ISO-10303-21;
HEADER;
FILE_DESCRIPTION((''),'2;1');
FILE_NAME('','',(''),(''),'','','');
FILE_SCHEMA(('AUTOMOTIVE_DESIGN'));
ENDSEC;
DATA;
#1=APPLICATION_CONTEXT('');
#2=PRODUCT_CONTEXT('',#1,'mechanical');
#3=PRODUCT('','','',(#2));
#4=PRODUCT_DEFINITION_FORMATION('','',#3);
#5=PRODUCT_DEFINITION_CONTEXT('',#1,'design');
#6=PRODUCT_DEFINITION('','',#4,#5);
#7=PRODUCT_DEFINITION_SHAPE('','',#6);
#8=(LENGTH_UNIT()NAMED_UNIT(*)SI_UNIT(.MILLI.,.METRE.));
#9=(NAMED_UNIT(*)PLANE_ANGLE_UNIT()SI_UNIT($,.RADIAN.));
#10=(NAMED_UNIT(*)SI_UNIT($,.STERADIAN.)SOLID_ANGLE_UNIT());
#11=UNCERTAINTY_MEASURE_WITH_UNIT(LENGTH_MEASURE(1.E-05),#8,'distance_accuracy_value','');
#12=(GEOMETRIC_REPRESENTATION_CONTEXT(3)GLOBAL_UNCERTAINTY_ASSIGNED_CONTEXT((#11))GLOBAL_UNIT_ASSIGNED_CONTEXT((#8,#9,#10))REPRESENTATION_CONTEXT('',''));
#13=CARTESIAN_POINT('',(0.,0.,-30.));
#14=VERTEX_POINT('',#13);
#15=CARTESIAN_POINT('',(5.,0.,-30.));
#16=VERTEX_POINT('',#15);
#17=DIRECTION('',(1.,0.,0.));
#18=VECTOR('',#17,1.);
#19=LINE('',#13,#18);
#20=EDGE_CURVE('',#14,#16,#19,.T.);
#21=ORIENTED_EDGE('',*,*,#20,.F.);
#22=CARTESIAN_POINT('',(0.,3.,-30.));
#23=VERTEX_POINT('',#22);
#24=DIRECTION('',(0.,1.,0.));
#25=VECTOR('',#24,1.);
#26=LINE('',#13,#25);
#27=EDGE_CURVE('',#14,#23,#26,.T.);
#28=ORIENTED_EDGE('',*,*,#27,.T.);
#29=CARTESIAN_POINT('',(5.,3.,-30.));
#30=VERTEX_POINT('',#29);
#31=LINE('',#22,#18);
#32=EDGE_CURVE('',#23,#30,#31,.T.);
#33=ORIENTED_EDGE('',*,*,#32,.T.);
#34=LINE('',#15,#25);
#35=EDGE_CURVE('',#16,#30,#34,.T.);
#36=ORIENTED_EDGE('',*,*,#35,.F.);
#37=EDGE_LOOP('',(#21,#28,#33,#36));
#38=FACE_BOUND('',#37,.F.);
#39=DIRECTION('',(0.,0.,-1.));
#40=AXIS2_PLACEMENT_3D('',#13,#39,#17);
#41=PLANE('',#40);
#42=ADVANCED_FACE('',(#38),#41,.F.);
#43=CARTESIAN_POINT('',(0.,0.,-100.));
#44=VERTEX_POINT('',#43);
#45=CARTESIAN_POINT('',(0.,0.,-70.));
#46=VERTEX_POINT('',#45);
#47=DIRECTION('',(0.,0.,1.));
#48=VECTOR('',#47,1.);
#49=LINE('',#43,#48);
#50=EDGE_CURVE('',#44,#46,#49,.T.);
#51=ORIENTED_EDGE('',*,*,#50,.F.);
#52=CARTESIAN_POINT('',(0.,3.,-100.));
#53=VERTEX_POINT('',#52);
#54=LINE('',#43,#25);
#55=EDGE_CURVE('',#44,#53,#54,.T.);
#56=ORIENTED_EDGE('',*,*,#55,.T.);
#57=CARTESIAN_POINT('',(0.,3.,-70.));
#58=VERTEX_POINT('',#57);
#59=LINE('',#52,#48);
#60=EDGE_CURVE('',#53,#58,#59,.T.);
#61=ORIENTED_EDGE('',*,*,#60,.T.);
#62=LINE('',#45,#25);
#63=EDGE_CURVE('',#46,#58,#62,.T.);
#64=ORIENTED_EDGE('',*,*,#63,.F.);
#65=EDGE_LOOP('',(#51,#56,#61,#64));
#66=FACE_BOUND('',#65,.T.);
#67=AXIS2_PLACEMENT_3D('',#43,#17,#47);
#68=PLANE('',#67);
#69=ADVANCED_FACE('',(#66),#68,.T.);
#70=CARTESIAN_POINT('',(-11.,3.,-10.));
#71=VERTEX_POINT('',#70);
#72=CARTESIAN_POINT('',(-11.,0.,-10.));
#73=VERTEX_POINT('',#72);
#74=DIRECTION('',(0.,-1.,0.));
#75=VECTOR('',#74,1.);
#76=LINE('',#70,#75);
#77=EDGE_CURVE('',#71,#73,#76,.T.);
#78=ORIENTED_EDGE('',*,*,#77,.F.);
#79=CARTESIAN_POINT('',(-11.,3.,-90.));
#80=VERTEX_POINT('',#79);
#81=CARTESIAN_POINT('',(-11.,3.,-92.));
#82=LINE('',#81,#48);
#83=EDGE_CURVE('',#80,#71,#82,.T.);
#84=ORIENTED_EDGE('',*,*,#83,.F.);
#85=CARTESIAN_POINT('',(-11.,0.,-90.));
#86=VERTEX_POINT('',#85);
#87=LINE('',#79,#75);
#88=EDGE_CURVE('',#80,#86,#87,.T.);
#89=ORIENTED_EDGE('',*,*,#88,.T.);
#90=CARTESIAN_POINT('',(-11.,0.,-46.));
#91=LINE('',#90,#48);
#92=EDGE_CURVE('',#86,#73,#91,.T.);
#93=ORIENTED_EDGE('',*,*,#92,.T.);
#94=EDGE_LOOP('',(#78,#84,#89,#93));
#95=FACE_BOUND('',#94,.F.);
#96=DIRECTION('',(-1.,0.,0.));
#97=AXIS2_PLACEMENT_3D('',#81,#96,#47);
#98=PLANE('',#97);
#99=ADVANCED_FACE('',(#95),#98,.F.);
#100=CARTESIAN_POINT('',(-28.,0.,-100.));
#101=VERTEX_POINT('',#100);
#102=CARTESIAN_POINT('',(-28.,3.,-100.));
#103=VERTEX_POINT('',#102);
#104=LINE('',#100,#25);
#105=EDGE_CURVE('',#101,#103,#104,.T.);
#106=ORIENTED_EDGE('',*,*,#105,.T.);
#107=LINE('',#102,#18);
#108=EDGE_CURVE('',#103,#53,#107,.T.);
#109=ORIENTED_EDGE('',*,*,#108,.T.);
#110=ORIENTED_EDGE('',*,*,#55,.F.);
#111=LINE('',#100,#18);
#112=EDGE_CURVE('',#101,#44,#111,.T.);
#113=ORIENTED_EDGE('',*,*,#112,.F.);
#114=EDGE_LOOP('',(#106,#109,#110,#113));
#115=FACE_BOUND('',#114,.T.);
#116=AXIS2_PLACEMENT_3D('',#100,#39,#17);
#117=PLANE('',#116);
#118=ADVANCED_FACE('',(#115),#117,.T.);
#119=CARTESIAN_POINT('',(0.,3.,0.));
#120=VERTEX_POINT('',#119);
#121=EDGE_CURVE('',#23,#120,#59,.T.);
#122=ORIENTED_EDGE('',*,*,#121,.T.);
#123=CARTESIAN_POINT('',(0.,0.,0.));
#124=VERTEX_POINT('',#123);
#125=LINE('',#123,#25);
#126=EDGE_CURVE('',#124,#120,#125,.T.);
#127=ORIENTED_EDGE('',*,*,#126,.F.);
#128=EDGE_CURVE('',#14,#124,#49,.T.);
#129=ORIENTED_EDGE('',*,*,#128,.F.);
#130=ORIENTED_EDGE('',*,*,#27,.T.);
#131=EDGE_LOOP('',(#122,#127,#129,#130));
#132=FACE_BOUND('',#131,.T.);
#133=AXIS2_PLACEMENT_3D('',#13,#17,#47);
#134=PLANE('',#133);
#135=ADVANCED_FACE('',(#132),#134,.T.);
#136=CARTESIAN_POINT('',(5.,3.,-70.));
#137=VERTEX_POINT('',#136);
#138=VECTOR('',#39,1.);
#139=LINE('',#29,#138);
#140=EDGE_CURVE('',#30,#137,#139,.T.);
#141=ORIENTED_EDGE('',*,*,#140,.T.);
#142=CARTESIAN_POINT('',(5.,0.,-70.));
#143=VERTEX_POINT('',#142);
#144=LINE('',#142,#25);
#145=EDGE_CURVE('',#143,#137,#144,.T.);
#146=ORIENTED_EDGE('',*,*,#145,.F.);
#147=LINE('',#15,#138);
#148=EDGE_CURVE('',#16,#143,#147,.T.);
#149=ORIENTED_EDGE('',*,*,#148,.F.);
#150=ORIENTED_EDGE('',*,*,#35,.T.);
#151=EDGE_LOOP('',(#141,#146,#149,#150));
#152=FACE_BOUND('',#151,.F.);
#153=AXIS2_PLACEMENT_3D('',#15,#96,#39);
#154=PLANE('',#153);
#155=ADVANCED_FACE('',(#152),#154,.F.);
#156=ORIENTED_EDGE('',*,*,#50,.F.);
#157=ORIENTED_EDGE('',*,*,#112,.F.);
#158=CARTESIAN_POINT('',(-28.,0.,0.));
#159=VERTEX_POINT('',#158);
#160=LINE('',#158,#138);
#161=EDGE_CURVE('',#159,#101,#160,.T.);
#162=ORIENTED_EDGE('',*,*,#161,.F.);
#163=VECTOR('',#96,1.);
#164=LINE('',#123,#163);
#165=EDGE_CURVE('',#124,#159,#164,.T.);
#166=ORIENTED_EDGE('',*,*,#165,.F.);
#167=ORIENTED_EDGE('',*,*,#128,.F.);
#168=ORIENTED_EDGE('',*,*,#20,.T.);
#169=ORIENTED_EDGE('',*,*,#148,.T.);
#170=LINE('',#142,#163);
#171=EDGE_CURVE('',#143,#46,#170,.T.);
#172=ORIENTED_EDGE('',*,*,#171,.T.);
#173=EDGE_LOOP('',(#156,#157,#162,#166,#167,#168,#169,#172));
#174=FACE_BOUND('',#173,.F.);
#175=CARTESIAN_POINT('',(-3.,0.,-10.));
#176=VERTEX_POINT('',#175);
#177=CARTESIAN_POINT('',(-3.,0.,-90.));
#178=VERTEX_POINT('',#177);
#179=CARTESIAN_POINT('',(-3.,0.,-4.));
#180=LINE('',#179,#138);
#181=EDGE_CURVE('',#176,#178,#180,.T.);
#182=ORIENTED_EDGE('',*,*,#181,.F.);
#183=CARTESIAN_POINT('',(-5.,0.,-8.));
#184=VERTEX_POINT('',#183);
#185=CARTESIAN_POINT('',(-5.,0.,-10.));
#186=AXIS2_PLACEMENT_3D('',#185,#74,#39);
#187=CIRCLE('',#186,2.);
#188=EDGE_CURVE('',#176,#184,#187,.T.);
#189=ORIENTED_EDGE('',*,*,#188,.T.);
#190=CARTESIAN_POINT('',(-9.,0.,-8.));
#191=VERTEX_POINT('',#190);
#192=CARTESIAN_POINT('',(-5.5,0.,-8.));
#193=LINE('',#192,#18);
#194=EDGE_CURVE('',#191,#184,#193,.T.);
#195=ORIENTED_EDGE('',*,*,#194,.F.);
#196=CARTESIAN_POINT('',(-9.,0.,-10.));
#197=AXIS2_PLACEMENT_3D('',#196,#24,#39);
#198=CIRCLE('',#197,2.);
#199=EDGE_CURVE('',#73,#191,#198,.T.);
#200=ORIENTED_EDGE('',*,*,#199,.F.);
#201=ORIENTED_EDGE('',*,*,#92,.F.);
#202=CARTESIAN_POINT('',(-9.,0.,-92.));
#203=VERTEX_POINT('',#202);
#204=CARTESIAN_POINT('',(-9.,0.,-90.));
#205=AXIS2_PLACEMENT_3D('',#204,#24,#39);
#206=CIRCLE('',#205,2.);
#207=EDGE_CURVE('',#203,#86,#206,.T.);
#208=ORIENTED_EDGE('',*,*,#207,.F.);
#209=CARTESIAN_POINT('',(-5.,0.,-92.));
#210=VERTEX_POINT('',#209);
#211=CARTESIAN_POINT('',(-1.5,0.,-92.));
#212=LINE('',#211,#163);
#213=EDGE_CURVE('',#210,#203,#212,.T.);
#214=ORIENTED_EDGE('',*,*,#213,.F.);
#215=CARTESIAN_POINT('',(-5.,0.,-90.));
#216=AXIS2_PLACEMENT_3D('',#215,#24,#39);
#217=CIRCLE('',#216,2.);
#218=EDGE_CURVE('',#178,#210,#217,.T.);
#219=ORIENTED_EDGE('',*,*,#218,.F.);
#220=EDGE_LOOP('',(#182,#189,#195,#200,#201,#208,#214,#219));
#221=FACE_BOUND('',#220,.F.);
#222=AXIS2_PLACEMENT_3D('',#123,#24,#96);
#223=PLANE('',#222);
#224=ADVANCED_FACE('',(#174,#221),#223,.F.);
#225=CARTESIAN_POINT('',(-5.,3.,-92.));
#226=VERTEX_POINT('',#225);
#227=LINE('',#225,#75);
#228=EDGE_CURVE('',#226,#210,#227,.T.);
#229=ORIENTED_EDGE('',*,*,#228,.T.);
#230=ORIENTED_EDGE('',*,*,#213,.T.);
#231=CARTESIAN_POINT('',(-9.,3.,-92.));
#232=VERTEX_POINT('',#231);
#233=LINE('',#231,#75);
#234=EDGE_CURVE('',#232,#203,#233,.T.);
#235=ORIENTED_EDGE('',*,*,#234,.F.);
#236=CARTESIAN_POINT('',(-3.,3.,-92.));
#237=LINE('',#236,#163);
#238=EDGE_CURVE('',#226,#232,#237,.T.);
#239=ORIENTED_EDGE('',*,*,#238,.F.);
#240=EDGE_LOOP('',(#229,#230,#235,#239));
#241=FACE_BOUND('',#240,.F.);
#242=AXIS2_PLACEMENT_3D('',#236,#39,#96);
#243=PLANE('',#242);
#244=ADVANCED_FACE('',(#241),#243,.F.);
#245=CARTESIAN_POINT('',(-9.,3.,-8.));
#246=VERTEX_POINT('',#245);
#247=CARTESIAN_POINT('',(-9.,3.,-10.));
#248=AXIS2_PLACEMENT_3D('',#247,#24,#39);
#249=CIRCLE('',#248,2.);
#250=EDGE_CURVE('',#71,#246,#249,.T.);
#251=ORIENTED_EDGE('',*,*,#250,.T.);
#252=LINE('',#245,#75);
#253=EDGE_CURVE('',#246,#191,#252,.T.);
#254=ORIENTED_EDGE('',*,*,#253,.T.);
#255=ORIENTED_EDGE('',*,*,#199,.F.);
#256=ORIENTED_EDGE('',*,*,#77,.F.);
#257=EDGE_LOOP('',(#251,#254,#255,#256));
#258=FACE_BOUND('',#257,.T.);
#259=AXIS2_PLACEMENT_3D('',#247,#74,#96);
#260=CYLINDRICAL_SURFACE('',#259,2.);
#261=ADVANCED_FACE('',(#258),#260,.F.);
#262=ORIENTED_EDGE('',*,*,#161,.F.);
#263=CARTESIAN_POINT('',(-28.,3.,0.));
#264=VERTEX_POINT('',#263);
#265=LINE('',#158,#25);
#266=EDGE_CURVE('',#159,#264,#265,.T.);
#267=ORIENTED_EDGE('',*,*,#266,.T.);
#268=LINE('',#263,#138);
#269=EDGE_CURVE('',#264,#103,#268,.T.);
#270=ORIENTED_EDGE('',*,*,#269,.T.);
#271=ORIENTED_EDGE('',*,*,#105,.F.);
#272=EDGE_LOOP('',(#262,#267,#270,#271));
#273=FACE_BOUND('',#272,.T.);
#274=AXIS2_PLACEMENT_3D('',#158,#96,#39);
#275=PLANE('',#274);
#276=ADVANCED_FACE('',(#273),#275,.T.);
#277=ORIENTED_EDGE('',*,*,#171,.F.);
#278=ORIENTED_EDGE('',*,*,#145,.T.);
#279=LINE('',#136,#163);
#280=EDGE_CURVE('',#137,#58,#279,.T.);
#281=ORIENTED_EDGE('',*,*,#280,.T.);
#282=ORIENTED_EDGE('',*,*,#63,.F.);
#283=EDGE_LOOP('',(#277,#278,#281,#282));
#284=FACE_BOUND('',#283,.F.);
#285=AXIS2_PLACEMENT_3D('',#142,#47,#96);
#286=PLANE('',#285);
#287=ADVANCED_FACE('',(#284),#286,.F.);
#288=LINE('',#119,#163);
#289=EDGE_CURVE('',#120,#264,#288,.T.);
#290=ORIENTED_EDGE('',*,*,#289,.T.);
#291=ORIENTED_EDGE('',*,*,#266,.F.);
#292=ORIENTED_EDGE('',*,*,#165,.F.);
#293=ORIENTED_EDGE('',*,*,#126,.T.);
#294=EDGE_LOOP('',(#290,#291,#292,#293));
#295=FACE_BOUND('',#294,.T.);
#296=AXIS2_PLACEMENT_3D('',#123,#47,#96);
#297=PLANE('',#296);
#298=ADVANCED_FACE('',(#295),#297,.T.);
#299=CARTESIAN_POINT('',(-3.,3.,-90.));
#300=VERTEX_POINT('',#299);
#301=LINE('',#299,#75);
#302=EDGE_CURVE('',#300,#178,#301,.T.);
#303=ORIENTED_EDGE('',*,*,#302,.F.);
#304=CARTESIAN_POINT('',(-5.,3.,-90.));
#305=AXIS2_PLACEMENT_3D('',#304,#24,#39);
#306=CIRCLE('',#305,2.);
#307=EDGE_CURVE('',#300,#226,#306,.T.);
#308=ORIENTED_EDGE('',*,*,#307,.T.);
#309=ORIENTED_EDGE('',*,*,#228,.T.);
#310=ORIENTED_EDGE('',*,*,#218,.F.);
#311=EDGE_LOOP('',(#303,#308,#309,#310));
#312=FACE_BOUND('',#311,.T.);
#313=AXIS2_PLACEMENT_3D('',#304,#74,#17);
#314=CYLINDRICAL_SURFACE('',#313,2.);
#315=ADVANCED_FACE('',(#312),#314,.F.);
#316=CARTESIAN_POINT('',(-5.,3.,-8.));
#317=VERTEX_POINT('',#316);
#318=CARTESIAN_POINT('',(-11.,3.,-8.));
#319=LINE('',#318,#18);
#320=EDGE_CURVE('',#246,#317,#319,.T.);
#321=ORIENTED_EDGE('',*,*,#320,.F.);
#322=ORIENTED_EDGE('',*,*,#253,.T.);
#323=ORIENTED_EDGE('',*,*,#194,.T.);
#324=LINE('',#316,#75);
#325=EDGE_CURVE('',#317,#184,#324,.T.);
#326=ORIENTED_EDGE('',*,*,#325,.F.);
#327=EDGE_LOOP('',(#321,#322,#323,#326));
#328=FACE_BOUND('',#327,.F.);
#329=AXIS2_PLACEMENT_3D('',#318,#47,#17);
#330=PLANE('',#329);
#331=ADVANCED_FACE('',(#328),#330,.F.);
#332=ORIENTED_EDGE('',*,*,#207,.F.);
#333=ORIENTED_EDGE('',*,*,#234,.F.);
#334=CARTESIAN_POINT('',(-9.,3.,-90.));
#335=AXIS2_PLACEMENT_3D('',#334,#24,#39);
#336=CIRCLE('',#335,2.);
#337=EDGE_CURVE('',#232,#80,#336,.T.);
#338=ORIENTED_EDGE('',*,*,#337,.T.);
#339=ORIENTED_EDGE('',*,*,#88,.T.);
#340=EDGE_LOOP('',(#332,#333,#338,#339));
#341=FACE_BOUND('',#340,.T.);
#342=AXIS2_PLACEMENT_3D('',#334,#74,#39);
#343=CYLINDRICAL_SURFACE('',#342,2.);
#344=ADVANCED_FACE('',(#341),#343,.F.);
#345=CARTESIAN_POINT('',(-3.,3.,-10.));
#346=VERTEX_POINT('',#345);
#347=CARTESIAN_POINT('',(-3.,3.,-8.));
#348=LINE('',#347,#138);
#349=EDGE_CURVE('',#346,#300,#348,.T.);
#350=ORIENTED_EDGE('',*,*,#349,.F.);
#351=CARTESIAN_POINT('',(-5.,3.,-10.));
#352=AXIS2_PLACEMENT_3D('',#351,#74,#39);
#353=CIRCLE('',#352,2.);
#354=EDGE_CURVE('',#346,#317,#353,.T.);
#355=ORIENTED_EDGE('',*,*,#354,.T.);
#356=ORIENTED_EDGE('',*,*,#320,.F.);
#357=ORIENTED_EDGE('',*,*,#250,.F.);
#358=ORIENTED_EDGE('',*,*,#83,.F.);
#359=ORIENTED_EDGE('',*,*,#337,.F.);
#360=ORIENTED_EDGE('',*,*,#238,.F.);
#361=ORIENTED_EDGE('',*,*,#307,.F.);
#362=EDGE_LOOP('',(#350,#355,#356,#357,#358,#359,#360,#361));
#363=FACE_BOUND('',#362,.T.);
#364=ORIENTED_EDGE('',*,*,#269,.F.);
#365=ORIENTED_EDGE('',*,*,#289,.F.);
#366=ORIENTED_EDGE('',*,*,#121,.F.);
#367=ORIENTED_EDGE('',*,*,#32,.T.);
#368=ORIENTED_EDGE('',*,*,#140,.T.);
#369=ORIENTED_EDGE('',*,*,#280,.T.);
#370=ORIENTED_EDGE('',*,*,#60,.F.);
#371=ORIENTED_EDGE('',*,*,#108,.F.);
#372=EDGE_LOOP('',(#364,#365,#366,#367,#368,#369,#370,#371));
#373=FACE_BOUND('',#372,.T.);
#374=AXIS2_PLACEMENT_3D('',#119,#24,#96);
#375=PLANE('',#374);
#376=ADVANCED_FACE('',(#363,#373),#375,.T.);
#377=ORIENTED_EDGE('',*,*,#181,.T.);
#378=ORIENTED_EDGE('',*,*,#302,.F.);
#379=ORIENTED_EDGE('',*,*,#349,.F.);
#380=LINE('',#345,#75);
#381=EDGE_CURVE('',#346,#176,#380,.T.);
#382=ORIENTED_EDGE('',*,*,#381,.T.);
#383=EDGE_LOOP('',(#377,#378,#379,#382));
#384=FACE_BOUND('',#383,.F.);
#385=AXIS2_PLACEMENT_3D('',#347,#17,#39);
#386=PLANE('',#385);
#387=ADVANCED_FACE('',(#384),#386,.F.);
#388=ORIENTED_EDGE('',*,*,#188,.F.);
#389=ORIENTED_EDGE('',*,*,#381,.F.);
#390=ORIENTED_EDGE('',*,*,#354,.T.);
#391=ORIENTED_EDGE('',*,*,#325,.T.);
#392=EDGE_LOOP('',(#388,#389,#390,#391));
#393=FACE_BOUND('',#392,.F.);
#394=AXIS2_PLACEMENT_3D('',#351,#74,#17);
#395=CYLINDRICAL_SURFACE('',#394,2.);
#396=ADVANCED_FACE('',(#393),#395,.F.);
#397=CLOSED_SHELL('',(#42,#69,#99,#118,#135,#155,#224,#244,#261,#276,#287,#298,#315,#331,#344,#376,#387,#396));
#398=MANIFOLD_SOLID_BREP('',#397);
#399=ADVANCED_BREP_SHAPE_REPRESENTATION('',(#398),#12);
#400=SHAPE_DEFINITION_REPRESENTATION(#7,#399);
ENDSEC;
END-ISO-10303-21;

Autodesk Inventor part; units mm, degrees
ref_plane "YZ Plane" through (0, 0, 0) normal (1, 0, 0) x (0, 1, 0)
ref_plane "XZ Plane" through (0, 0, 0) normal (0, 1, 0) x (-1, 0, 0)
ref_plane "XY Plane" through (0, 0, 0) normal (0, 0, 1) x (1, 0, 0)
sketch "Sketch1" plane through (0, 0, 0) normal (0, 1, 0) x (-1, 0, 0)
  line L0 (0, 0) -> (28, 0)
  line L1 (28, 0) -> (28, -100)
  line L2 (28, -100) -> (0, -100)
  line L3 (0, -100) -> (0, 0)
  line L4 (0, -30) -> (-5, -30)
  line L5 (-5, -30) -> (-5, -70)
  line L6 (-5, -70) -> (0, -70)
  line L7 (0, -70) -> (0, -30)
  line L8 (28, -50) -> (0, -50) construction
  line L9 (-5, -50) -> (0, -50) construction
  point P0 (0, -70)
  dimension "d0" = 100
  dimension "d1" = 5
  dimension "d2" = 40
  dimension "d3" = 28
extrude "Extrusion1" add sketch "Sketch1" along normal blind 3
sketch "Sketch4" plane through (0, 3, 0) normal (0, 1, 0) x (1, 0, 0)
  line L0 (-3, 92) -> (-11, 92)
  line L1 (-11, 92) -> (-11, 8)
  line L2 (-11, 8) -> (-3, 8)
  line L3 (-3, 8) -> (-3, 92)
  line L4 (0, 70) -> (0, 100) projected
  line L5 (0, 100) -> (-28, 100) projected
  point P0 (0, 0)
  dimension "d24" = 3
  dimension "d25" = 8
  dimension "d26" = 84
  dimension "d27" = 8
extrude "Extrusion4" cut sketch "Sketch4" against normal blind 10
fillet "Fillet1" radius 2 4 edges at (-11, 1.5, -92) (-3, 1.5, -92) (-11, 1.5, -8) (-3, 1.5, -8)
properties part number "Lateral BNC"
